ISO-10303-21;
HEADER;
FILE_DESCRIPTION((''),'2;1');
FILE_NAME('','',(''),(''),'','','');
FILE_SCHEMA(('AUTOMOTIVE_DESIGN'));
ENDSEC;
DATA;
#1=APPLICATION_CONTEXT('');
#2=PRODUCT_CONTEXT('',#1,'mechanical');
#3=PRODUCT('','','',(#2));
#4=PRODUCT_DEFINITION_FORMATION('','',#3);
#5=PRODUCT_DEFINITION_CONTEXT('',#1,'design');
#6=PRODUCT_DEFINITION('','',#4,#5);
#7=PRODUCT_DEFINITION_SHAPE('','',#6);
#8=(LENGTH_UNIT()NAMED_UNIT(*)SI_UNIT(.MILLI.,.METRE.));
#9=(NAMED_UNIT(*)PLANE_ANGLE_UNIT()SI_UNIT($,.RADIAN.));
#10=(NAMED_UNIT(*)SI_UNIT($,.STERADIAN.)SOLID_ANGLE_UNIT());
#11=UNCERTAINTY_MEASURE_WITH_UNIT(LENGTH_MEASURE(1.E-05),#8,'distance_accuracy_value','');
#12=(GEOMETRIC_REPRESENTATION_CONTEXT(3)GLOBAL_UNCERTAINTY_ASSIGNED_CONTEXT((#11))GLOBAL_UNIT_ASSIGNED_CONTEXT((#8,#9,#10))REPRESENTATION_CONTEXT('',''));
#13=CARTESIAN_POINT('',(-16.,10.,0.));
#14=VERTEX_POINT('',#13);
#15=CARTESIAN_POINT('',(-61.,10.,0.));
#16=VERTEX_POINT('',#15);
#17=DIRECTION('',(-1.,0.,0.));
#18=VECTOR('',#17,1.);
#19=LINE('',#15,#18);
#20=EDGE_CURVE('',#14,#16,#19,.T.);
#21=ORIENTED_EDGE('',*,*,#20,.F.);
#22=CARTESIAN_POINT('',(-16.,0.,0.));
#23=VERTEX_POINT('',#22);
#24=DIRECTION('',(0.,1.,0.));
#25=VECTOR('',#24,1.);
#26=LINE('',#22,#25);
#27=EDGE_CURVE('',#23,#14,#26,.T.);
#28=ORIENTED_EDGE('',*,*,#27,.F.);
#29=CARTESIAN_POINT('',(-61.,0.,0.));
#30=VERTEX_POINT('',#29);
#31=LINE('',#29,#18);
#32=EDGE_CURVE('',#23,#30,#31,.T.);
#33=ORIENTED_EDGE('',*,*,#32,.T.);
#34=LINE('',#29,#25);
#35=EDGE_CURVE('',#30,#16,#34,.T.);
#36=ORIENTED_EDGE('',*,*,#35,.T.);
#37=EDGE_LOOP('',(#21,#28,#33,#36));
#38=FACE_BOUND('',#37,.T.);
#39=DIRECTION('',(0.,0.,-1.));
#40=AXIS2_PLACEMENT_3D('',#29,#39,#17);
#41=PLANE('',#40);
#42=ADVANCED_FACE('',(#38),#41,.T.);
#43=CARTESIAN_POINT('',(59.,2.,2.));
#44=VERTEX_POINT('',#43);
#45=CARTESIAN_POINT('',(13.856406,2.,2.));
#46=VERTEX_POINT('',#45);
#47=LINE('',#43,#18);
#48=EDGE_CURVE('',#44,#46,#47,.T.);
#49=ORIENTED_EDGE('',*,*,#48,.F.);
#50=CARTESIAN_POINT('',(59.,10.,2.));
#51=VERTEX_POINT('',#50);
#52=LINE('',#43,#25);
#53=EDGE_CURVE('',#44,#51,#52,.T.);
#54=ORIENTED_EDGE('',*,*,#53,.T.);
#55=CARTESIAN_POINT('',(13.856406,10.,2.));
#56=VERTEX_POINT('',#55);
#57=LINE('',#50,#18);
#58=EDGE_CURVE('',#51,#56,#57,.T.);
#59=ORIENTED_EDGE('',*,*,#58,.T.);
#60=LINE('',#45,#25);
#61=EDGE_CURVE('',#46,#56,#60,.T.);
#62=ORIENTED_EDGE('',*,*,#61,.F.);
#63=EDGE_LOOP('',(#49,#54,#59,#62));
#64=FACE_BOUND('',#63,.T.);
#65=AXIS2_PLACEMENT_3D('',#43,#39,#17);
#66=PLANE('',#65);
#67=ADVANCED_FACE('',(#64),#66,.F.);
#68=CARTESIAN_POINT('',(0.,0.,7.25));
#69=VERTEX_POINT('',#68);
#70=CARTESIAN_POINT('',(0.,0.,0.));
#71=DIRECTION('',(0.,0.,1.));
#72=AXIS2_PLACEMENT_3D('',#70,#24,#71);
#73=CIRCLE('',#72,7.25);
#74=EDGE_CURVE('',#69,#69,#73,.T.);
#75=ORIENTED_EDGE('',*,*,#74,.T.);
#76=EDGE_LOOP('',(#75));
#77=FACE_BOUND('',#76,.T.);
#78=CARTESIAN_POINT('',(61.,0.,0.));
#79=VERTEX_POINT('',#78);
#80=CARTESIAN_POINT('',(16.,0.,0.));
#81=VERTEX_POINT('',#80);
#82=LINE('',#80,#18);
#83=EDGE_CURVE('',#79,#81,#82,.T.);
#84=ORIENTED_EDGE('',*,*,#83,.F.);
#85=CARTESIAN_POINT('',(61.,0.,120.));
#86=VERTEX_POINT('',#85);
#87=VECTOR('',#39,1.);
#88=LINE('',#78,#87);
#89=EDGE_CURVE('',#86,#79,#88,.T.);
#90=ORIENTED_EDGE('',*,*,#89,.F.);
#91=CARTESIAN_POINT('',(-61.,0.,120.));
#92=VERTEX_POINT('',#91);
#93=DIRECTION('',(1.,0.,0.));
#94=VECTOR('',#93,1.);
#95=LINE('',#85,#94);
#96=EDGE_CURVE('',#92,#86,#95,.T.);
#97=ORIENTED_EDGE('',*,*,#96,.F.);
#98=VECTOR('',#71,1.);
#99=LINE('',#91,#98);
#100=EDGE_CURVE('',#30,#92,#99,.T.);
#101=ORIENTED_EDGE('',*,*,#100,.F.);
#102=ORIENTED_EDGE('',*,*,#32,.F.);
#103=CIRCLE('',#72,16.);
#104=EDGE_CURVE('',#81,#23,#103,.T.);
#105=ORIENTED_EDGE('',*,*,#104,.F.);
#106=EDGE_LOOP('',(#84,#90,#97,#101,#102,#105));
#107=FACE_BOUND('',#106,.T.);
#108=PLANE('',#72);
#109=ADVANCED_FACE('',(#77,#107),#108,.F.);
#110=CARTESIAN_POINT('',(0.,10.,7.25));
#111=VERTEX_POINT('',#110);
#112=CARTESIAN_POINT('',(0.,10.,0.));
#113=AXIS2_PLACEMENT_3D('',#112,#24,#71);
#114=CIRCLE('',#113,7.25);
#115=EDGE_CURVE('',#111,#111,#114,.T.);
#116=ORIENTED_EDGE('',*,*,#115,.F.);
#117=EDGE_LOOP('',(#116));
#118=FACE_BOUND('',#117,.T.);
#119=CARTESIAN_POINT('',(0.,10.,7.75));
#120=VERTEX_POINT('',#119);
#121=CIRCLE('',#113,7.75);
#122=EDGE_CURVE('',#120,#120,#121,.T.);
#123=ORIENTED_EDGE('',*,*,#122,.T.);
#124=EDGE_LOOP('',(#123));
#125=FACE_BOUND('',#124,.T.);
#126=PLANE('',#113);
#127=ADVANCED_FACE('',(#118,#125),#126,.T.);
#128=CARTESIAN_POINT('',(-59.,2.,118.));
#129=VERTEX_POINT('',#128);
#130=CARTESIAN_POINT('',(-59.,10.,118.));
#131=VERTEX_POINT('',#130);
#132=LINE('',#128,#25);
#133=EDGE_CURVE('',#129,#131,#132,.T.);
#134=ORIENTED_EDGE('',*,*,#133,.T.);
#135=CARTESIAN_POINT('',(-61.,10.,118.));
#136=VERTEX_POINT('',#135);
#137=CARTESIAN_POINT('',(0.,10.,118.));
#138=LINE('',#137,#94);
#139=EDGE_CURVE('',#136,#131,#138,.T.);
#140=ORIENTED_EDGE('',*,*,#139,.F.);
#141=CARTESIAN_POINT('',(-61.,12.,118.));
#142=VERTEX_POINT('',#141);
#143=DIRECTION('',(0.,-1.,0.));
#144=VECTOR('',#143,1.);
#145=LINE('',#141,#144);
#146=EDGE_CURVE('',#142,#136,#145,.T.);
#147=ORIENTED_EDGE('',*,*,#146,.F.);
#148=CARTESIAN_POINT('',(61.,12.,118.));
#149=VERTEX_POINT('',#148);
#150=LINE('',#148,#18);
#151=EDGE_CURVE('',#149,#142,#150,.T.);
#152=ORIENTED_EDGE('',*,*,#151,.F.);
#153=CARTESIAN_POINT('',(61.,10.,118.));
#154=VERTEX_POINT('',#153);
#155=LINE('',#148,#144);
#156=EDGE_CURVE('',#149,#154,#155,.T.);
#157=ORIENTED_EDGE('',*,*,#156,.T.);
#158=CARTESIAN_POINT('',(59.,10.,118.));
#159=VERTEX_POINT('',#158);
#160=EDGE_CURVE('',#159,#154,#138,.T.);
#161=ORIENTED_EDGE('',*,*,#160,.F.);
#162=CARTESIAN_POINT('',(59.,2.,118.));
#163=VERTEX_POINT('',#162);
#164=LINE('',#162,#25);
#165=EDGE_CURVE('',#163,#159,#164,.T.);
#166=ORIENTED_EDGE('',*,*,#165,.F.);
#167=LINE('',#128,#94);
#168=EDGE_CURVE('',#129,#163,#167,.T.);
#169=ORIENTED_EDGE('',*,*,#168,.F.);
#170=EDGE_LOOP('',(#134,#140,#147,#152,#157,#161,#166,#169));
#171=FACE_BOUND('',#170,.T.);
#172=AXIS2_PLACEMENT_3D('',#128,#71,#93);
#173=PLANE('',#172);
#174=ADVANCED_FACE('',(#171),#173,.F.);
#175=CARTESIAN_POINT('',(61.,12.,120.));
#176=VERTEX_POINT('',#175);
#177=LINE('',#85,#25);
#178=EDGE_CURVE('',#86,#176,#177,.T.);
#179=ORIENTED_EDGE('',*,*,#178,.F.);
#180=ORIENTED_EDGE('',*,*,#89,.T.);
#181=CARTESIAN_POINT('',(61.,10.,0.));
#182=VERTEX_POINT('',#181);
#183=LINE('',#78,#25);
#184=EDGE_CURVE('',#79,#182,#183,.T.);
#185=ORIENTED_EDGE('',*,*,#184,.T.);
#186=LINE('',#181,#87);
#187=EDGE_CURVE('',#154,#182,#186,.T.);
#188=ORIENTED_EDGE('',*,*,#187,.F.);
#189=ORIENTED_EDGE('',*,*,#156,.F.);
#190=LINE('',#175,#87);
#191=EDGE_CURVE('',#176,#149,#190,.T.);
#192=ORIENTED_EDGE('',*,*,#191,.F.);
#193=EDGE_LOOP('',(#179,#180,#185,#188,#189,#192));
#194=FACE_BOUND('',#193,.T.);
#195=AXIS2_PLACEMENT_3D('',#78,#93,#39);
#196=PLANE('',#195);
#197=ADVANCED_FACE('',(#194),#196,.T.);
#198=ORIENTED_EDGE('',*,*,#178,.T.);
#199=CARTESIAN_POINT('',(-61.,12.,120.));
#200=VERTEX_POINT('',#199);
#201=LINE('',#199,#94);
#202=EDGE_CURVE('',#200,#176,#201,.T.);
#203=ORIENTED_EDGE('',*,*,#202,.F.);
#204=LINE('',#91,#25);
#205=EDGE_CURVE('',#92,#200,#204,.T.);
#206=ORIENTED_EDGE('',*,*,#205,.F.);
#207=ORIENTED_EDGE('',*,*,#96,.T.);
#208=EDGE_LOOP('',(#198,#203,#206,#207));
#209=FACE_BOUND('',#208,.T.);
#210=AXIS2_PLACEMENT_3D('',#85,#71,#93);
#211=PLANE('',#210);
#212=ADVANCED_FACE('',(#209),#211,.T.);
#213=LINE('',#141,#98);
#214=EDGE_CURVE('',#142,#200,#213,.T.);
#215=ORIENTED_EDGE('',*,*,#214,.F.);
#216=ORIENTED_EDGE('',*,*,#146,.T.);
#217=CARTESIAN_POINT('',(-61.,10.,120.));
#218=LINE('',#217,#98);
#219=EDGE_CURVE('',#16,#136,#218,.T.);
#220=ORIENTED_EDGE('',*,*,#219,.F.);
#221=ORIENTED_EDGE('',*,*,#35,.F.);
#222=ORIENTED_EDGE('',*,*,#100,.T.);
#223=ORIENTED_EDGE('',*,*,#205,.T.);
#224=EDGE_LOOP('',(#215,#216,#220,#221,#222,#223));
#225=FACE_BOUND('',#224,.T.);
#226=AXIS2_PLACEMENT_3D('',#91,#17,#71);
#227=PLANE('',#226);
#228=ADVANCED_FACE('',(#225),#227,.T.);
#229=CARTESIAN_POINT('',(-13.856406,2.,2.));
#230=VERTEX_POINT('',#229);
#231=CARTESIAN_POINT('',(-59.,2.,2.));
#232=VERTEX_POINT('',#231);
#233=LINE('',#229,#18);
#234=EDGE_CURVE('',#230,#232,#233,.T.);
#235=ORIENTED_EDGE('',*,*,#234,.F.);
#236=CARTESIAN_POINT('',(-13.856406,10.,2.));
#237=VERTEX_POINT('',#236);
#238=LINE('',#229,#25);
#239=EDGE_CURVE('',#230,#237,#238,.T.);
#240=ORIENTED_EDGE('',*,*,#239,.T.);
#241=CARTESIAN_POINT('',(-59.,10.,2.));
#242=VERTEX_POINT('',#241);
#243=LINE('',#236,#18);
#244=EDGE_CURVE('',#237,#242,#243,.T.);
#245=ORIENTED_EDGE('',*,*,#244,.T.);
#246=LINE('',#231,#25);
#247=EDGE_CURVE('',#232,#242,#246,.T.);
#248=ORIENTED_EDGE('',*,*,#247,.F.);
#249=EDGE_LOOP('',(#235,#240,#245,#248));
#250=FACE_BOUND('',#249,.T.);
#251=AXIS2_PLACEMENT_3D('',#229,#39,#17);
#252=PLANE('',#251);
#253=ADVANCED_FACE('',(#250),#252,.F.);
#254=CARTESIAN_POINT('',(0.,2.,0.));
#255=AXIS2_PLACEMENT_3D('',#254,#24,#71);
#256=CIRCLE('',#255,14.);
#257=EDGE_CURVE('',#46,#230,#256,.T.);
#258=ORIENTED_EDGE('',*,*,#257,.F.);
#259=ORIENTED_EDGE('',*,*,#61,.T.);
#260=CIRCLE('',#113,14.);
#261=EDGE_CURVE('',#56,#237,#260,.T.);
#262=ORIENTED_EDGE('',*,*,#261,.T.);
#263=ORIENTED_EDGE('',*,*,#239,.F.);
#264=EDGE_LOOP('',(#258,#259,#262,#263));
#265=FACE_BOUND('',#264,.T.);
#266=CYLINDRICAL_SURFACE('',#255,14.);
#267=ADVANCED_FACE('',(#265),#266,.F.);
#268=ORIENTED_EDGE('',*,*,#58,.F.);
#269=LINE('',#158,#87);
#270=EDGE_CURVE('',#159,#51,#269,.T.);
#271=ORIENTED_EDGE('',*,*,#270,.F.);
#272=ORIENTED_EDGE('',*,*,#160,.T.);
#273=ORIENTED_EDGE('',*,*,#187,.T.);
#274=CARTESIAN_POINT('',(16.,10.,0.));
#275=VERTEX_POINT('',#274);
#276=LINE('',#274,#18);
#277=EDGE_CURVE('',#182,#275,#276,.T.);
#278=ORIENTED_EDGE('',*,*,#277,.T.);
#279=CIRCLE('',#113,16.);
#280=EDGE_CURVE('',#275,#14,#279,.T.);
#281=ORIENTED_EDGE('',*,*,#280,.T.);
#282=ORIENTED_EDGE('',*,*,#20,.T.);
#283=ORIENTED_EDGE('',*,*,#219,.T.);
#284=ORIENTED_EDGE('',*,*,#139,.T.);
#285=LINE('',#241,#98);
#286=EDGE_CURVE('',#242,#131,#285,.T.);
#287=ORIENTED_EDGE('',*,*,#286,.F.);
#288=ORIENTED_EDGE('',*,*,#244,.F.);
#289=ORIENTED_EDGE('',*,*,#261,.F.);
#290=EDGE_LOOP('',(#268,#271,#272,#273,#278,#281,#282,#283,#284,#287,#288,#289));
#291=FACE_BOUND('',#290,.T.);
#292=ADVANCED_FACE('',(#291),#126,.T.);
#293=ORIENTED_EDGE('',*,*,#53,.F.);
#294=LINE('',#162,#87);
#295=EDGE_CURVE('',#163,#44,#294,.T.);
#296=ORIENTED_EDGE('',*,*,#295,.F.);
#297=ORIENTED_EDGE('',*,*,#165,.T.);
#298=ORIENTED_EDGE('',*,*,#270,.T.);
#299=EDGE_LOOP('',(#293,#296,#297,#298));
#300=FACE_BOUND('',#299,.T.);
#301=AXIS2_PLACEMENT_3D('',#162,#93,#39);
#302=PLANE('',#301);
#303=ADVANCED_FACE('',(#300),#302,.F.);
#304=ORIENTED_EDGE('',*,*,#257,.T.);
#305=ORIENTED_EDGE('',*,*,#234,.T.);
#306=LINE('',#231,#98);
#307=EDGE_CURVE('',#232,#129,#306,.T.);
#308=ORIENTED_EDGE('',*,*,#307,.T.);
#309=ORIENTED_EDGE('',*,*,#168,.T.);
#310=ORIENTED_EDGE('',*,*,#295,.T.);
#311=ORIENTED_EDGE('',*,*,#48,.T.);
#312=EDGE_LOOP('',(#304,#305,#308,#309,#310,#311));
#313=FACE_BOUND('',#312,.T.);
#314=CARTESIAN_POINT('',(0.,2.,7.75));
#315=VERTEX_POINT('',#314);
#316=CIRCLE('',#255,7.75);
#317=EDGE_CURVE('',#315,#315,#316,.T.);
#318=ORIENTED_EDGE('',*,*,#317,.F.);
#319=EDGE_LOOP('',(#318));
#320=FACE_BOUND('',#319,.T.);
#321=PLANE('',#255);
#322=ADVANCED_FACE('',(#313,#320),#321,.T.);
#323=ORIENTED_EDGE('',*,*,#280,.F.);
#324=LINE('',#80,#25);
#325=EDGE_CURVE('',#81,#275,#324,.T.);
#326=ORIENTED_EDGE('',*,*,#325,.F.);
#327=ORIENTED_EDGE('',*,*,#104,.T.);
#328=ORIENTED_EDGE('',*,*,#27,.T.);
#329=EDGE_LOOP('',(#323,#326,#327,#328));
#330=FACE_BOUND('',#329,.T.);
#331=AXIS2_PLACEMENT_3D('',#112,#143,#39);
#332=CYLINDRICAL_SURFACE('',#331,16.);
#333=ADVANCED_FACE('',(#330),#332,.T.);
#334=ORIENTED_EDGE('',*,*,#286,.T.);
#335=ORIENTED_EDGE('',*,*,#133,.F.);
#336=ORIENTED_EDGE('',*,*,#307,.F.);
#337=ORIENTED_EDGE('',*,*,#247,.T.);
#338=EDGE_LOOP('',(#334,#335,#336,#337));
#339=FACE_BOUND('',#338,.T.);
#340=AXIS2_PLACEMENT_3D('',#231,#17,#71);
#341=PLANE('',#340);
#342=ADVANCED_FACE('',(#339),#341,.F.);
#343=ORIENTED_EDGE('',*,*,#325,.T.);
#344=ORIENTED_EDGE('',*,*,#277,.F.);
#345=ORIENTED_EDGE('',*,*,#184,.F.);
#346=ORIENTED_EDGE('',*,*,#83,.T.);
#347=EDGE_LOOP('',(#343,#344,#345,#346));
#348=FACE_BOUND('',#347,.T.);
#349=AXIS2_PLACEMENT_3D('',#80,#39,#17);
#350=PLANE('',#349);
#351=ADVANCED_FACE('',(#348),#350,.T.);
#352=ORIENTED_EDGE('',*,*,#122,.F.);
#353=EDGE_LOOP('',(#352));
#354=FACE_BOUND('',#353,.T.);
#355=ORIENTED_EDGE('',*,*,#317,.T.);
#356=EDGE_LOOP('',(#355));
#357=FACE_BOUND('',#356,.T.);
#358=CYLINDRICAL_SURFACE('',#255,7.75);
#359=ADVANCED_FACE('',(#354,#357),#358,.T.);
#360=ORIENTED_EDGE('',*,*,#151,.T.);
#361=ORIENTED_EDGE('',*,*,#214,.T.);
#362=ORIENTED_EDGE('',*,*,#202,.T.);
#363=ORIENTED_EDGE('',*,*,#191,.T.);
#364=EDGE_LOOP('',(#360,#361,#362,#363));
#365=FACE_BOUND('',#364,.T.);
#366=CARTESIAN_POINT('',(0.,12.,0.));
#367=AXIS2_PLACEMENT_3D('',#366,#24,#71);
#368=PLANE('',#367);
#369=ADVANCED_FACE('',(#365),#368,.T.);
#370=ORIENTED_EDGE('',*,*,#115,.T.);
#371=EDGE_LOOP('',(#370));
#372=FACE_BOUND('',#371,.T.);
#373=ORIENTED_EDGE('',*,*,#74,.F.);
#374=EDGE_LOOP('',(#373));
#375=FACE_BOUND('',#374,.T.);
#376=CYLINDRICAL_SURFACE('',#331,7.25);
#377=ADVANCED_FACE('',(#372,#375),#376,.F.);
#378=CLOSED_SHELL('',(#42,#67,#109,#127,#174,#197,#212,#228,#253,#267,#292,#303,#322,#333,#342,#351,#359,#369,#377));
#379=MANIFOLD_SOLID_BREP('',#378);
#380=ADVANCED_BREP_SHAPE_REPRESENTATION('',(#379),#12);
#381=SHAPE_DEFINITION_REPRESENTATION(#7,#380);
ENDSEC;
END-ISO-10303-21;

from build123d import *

# Parameters (mm, degrees)
SKETCH7_R                = 16
BOSS_EXTRUDE3_DEPTH      = 10
SKETCH8_R                = 7.25
CUT_EXTRUDE8_DEPTH       = 10
SKETCH9_R                = 14
SKETCH9_R_2              = 7.75
CUT_EXTRUDE9_DEPTH       = 8
BOSS_EXTRUDE5_DEPTH      = 8
BOSS_EXTRUDE5_DEPTH_BACK = 2
CUT_EXTRUDE11_DEPTH      = 8
BOSS_EXTRUDE6_DEPTH      = 10


with BuildPart() as part:
    # Sketch7 → Boss-Extrude3 (new body)
    with BuildSketch(Plane(origin=(0, 0, 0), x_dir=(1, 0, 0), z_dir=(0, 1, 0))):
        with Locations(Location((0, 0, 0), (0, 0, 270))):
            Circle(SKETCH7_R)
    extrude(amount=BOSS_EXTRUDE3_DEPTH)

    # Sketch8 → Cut-Extrude8 (cut)
    with BuildSketch(Plane(origin=(0, 0, 0), x_dir=(1, 0, 0), z_dir=(0, 1, 0))):
        with Locations(Location((0, 0, 0), (0, 0, 270))):
            Circle(SKETCH8_R)
    extrude(amount=CUT_EXTRUDE8_DEPTH, mode=Mode.SUBTRACT)

    # Sketch9 → Cut-Extrude9 (cut)
    with BuildSketch(Plane(origin=(0, 10, 0), x_dir=(1, 0, 0), z_dir=(0, 1, 0))):
        with Locations(Location((0, 0, 0), (0, 0, 270))):
            Circle(SKETCH9_R)
        with Locations(Location((0, 0, 0), (0, 0, 270))):
            Circle(SKETCH9_R_2, mode=Mode.SUBTRACT)
    extrude(amount=-CUT_EXTRUDE9_DEPTH, mode=Mode.SUBTRACT)

    # Sketch10 → Boss-Extrude5 (add, two sides: drawn at the far end of the back side and taken through both)
    with BuildSketch(Plane(origin=(0, 2, 0), x_dir=(1, 0, 0), z_dir=(0, 1, 0)).offset(-BOSS_EXTRUDE5_DEPTH_BACK)):
        with BuildLine():
            Line((16, 0), (61, 0))
            Line((61, 0), (61, -120))
            Line((61, -120), (-61, -120))
            Line((-61, -120), (-61, 0))
            Line((-61, 0), (-16, 0))
            ThreePointArc((-16, 0), (0, -16), (16, 0))
        make_face()
    extrude(amount=BOSS_EXTRUDE5_DEPTH + BOSS_EXTRUDE5_DEPTH_BACK)

    # Sketch11 → Cut-Extrude11 (cut)
    with BuildSketch(Plane(origin=(0, 10, 0), x_dir=(1, 0, 0), z_dir=(0, 1, 0))):
        with BuildLine():
            Line((-59, -2), (-59, -118))
            Line((-59, -118), (59, -118))
            Line((59, -118), (59, -2))
            Line((59, -2), (13.856406461, -2))
            ThreePointArc((13.856406461, -2), (0, -14), (-13.856406461, -2))
            Line((-13.856406461, -2), (-59, -2))
        make_face()
    extrude(amount=-CUT_EXTRUDE11_DEPTH, mode=Mode.SUBTRACT)

    # Sketch12 → Boss-Extrude6 (add)
    with BuildSketch(Plane(origin=(0, 2, 0), x_dir=(1, 0, 0), z_dir=(0, 1, 0))):
        Polygon((-59, -118), (-61, -118), (-61, -120), (61, -120), (61, -118), align=None)
    extrude(amount=BOSS_EXTRUDE6_DEPTH)


solid = part.part
